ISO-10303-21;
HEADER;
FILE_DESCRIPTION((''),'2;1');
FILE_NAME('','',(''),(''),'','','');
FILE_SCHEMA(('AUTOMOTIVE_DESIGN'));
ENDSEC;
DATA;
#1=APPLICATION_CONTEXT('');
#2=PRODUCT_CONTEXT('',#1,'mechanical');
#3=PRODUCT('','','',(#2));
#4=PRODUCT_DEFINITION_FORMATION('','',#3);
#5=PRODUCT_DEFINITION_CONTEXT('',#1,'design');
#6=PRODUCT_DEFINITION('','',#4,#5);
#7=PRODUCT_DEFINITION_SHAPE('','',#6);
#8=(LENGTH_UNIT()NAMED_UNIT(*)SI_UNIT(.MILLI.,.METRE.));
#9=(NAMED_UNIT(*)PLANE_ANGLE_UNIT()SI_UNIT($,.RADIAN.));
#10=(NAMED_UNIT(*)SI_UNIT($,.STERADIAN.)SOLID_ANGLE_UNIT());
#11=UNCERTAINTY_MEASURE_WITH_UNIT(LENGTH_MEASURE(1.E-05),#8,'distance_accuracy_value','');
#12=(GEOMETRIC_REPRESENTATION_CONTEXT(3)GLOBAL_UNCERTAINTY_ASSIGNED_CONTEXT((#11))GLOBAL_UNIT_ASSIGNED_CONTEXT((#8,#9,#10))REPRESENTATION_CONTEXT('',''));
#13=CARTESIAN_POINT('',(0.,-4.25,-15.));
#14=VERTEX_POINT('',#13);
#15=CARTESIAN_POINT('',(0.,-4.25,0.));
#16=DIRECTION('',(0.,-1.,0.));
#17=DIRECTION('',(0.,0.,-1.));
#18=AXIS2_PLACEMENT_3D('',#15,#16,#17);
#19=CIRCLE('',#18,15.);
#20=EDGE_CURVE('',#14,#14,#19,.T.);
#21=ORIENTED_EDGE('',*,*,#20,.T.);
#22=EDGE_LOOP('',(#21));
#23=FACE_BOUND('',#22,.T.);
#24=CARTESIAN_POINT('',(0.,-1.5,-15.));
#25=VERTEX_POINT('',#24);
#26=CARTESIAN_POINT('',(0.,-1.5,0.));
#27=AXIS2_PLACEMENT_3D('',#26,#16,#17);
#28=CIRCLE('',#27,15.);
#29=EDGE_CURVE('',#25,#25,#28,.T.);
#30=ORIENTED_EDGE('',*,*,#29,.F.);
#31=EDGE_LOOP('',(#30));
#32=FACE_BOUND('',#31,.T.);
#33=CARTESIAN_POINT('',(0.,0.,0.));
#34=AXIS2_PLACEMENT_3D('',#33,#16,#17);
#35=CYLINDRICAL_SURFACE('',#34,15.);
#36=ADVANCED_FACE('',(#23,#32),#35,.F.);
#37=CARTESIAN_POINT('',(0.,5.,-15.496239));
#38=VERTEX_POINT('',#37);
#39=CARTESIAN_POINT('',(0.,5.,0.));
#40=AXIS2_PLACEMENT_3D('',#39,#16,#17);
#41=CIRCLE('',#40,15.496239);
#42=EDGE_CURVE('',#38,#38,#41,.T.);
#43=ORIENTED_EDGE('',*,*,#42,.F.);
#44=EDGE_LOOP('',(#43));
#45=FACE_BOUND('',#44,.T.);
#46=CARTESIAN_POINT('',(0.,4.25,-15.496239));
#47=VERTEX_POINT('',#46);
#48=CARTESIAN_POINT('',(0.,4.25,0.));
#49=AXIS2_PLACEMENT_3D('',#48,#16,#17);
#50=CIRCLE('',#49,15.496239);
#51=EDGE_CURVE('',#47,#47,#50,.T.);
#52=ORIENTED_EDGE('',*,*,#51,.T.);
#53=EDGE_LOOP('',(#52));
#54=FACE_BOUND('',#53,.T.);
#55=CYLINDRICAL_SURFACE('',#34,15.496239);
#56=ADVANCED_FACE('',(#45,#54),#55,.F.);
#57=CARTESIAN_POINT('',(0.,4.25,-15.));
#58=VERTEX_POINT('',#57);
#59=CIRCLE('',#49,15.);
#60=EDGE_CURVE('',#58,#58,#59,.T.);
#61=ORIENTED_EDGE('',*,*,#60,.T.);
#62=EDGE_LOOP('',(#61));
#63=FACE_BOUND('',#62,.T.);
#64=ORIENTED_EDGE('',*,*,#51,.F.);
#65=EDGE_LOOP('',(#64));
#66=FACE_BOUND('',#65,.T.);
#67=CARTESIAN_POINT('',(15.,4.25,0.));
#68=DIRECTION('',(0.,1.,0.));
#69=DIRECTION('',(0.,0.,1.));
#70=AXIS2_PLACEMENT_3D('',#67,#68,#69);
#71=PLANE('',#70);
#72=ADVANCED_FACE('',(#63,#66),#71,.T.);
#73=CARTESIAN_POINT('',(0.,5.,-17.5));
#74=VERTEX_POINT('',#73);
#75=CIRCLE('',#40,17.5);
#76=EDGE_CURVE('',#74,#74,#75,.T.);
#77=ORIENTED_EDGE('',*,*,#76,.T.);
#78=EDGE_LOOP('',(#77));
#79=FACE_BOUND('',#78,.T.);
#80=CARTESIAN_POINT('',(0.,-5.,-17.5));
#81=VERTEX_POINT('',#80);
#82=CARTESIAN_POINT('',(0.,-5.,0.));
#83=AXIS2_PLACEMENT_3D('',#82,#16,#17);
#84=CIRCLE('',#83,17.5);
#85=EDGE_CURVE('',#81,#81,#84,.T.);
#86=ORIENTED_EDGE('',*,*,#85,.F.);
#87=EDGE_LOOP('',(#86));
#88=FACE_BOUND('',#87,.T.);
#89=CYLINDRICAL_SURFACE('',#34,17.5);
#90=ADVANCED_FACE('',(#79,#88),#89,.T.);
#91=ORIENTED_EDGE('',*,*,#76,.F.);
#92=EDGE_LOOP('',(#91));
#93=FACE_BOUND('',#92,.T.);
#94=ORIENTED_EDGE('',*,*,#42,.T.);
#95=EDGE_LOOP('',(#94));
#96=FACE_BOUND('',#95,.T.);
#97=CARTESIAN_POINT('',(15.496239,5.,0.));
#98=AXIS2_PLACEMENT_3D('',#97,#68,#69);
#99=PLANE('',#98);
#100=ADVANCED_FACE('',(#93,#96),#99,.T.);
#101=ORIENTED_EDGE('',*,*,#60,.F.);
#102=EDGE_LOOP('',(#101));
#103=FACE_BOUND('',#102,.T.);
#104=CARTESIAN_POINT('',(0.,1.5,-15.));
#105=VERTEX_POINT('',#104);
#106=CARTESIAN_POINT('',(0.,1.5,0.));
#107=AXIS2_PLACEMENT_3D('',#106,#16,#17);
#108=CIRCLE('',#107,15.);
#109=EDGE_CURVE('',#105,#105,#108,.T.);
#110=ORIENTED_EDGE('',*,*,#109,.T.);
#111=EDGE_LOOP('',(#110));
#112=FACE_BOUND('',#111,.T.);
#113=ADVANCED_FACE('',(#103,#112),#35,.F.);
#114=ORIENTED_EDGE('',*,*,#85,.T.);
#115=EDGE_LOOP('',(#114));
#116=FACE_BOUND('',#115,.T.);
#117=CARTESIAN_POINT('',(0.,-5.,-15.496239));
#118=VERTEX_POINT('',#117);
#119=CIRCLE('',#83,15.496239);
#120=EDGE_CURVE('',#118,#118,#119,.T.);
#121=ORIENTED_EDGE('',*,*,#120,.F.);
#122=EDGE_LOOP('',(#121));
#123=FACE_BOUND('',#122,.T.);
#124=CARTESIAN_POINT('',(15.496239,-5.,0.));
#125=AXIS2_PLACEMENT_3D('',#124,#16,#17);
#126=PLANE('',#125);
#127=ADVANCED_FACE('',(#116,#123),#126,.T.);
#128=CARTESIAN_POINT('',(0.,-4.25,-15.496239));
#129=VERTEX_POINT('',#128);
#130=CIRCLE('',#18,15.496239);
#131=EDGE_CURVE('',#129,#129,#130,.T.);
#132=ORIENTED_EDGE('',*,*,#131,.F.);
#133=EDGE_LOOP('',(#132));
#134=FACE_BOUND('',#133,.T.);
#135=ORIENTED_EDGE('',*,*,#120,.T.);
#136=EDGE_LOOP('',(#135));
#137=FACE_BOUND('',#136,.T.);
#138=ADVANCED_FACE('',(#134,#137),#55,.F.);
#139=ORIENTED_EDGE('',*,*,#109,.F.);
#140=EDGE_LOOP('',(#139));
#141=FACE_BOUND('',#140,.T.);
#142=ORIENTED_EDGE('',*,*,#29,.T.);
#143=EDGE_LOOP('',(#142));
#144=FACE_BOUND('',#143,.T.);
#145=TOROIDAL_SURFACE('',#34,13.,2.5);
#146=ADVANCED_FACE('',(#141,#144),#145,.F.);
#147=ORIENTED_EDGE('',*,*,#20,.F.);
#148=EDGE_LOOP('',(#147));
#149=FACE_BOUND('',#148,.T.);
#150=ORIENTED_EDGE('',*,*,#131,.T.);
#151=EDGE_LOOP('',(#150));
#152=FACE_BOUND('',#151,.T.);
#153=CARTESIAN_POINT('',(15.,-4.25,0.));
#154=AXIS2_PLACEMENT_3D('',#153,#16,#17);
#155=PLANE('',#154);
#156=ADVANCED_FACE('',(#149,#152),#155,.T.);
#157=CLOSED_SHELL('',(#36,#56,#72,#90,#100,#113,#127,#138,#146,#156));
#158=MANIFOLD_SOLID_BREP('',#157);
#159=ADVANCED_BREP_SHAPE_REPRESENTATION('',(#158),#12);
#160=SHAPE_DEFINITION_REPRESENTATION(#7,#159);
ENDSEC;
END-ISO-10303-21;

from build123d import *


with BuildPart() as part:
    # Sketch1 → Revolve1 (revolve)
    with BuildSketch(Plane.XY, mode=Mode.PRIVATE) as revolve1_sk:
        with BuildLine():
            Line((15, 4.25), (15, 1.5))
            ThreePointArc((15, 1.5), (15.5, 0), (15, -1.5))
            Line((15, -1.5), (15, -4.25))
            Line((15, -4.25), (15.496238558, -4.25))
            Line((15.496238558, -4.25), (15.496238558, -5))
            Line((15.496238558, -5), (17.5, -5))
            Line((17.5, -5), (17.5, 5))
            Line((17.5, 5), (15.496238558, 5))
            Line((15.496238558, 5), (15.496238558, 4.25))
            Line((15.496238558, 4.25), (15, 4.25))
        make_face()
    revolve(revolve1_sk.sketch.rotate(Axis((0, 0, 0), (0, 1, 0)), 90), axis=Axis((0, 0, 0), (0, 1, 0)))


solid = part.part
